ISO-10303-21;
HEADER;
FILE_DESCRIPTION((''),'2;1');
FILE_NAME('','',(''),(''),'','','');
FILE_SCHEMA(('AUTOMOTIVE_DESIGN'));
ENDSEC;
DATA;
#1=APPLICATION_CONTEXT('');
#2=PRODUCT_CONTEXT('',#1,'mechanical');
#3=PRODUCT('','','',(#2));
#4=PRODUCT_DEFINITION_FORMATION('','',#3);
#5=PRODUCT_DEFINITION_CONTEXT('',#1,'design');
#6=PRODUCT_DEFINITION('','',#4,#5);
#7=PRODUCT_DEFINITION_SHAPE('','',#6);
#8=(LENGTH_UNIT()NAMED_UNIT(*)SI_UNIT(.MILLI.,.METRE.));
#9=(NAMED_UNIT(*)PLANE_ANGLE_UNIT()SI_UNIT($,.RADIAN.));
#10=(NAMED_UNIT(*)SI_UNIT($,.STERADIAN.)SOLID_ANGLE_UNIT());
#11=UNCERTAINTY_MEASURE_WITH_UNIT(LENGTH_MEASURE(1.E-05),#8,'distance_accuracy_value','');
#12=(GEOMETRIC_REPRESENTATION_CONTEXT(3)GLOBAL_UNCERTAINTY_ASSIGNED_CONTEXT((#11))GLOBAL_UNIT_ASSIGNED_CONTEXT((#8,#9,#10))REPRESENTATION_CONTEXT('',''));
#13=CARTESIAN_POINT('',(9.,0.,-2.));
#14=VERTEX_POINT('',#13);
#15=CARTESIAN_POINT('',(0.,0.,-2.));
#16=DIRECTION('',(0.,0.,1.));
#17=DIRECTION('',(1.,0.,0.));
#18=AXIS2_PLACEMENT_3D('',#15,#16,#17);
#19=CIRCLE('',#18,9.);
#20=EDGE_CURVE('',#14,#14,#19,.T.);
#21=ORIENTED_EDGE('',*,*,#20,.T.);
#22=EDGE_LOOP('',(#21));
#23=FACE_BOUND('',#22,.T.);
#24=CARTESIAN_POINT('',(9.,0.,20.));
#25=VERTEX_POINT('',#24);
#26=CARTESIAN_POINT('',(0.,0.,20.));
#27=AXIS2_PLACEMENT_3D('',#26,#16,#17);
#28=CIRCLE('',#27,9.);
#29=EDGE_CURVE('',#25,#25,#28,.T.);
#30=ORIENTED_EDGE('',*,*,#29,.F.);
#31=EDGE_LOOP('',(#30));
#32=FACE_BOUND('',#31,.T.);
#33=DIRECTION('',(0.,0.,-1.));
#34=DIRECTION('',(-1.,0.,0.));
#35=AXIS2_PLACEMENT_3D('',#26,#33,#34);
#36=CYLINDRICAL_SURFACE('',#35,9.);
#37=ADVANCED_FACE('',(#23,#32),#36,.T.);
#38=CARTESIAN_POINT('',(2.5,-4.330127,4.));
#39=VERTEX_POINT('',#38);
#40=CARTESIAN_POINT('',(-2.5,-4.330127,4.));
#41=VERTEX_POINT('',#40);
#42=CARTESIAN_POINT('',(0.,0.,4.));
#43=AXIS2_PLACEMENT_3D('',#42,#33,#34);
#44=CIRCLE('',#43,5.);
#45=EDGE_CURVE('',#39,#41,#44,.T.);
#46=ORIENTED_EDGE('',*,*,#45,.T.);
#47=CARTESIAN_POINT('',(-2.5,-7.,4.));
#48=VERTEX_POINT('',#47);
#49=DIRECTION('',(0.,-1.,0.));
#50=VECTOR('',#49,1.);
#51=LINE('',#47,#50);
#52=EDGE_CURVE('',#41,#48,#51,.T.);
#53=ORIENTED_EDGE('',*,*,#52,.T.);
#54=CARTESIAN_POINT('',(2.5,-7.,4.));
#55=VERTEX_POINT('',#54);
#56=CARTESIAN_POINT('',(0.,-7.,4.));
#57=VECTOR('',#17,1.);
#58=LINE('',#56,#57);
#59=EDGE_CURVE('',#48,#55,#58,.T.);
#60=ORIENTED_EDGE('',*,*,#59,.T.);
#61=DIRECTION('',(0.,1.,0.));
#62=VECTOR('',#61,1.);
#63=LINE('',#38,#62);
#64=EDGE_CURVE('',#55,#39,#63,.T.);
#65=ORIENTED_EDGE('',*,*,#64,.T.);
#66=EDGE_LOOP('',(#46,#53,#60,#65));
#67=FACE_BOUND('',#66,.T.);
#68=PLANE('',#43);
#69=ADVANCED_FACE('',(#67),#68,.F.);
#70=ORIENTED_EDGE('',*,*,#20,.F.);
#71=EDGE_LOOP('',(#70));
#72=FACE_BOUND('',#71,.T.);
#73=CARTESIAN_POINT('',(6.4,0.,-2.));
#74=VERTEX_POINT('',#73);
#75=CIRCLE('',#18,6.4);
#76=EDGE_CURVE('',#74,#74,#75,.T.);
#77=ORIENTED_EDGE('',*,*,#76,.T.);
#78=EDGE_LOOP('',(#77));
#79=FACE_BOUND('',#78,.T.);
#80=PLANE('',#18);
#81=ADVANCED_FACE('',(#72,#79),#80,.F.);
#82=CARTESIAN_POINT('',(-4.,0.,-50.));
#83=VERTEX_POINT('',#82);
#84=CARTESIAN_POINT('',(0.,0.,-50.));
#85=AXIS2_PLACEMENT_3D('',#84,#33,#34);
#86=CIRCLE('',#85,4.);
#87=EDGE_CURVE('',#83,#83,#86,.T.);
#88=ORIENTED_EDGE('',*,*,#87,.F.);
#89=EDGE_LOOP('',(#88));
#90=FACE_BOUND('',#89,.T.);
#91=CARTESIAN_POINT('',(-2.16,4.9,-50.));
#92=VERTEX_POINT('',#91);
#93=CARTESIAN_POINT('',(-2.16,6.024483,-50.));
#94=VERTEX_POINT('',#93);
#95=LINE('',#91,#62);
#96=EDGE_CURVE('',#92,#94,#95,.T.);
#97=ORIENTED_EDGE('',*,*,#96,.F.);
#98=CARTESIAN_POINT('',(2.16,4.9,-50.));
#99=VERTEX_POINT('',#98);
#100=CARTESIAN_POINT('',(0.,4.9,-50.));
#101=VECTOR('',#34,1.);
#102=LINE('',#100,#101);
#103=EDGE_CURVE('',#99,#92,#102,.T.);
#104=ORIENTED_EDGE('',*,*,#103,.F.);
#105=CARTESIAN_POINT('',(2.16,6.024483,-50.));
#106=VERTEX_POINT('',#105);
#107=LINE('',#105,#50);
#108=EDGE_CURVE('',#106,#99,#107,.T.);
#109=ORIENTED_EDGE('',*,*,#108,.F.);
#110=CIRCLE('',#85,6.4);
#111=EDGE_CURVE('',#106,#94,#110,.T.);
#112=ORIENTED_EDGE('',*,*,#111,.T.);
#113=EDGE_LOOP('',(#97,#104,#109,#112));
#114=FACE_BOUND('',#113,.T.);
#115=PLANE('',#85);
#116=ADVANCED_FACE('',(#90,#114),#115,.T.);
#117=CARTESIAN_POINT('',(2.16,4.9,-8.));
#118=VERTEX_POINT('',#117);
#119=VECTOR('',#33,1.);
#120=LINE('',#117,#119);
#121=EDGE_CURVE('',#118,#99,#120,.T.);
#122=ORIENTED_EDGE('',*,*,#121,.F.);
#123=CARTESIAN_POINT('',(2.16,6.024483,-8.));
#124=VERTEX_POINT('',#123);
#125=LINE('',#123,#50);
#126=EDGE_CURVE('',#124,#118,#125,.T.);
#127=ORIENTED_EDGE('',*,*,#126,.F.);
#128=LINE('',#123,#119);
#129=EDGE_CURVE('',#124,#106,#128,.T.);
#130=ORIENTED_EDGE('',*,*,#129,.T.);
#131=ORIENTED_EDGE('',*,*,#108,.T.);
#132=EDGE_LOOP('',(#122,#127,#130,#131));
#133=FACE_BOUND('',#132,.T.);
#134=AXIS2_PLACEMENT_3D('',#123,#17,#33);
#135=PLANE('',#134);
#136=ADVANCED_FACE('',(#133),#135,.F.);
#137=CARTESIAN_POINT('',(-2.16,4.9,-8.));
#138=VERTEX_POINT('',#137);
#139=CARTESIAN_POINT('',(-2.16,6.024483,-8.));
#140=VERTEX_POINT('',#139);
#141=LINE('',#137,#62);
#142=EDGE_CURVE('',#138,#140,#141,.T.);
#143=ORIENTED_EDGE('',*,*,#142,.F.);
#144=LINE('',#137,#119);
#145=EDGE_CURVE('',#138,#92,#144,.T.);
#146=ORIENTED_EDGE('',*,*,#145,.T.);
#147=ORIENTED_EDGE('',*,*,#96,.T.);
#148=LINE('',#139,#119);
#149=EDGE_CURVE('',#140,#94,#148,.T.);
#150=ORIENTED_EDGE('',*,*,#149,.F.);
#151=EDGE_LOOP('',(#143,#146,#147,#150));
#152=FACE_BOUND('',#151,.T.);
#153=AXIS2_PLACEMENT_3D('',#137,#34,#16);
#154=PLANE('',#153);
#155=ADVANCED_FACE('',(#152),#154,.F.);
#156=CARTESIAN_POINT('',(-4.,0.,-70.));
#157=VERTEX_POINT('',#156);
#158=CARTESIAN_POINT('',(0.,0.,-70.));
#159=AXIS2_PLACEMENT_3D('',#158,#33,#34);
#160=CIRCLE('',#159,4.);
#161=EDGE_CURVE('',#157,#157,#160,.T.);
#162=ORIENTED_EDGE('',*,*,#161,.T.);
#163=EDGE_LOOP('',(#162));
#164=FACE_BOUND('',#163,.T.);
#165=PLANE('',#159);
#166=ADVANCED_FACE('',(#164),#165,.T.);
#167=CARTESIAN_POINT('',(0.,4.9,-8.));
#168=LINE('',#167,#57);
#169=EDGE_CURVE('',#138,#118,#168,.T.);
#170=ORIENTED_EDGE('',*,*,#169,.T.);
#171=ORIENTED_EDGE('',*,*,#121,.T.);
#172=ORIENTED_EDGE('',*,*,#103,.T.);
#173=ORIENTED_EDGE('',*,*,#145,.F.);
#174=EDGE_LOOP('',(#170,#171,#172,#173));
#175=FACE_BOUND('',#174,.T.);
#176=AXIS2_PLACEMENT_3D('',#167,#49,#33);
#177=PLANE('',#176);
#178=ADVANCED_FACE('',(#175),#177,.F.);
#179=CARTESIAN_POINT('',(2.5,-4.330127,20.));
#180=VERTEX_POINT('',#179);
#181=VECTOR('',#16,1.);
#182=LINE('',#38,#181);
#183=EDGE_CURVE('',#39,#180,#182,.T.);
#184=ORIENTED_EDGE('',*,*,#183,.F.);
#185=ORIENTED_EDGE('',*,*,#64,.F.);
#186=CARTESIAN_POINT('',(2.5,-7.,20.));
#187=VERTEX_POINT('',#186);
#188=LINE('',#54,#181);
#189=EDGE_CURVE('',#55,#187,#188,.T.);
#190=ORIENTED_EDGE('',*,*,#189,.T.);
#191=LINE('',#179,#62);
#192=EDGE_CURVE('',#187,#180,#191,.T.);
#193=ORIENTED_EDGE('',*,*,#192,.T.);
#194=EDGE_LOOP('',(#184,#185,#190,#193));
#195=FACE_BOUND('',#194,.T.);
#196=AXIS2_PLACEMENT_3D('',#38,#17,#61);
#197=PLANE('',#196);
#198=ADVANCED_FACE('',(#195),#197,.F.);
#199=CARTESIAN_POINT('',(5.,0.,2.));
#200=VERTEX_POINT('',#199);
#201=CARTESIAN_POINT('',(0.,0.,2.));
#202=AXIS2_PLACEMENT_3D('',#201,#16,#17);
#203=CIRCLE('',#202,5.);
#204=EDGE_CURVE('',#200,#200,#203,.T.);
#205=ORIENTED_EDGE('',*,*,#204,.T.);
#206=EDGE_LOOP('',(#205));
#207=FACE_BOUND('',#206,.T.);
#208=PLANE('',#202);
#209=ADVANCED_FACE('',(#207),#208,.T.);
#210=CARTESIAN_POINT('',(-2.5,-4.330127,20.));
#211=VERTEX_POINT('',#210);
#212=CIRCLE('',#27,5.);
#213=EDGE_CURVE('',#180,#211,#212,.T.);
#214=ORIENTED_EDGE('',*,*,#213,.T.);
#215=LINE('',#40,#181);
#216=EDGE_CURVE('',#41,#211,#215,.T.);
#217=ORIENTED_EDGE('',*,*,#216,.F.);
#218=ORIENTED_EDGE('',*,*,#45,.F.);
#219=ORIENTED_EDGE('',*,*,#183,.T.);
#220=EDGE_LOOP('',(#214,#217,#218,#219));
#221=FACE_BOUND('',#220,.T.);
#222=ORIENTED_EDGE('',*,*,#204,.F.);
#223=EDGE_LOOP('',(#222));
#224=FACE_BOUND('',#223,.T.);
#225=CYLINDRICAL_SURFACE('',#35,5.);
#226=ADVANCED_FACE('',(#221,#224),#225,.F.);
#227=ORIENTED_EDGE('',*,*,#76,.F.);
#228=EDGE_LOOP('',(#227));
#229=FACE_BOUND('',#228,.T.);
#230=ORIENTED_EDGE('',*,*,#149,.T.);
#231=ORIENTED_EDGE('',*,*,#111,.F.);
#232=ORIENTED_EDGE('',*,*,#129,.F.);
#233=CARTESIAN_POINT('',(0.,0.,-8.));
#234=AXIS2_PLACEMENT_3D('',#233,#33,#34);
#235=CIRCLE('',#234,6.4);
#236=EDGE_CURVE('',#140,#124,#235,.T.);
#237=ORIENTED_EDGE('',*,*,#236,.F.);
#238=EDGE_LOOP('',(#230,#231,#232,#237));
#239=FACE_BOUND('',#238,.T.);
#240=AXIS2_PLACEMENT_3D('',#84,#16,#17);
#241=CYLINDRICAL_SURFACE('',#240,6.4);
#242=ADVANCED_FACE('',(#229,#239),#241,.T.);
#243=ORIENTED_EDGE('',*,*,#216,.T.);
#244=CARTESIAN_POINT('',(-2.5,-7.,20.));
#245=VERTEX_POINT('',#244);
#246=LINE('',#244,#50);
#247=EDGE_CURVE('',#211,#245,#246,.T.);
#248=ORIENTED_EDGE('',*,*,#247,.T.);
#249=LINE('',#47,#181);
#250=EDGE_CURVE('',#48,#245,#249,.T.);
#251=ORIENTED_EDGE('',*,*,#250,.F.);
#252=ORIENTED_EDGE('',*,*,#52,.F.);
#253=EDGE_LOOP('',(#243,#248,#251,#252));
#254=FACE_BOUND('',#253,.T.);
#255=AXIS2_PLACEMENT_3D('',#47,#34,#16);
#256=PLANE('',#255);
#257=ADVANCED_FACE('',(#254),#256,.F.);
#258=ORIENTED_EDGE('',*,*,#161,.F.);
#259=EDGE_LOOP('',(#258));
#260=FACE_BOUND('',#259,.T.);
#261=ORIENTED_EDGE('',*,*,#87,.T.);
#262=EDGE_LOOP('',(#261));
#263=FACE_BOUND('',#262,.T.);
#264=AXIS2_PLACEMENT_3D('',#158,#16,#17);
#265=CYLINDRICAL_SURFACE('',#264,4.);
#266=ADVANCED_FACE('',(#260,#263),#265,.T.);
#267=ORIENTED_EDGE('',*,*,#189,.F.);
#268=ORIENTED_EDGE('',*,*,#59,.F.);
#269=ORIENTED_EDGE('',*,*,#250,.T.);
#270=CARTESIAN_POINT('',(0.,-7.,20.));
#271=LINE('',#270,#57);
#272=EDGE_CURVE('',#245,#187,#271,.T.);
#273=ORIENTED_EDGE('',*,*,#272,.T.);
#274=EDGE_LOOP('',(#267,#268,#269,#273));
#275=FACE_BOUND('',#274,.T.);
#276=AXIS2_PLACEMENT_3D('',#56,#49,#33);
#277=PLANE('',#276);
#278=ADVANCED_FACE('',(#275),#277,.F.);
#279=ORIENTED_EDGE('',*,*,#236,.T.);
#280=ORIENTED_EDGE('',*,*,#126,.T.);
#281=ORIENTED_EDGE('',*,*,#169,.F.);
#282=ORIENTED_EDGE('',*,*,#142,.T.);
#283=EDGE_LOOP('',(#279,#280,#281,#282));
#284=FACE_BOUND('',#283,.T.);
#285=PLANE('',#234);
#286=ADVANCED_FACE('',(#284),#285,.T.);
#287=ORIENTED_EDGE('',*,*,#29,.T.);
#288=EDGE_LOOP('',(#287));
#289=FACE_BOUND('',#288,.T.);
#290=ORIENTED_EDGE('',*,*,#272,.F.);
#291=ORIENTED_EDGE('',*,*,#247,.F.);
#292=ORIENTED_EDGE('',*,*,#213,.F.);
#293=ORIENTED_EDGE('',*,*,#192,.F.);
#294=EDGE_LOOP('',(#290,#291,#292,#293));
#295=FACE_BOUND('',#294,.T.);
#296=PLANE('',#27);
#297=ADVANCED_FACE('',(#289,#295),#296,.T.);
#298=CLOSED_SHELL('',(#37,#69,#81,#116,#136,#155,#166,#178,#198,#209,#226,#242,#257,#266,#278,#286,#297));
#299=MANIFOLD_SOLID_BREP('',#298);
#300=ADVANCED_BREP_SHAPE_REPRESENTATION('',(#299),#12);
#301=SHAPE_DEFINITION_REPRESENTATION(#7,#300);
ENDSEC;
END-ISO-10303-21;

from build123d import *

# Parameters (mm, degrees)
SKETCH1_R           = 9
SKETCH1_R_2         = 5
BOSS_EXTRUDE1_DEPTH = 20
SKETCH3_R           = 6.4
BOSS_EXTRUDE2_DEPTH = 50
CUT_EXTRUDE2_DEPTH  = 16
BOSS_EXTRUDE3_START = -2
SKETCH1_3_R         = 9
BOSS_EXTRUDE3_DEPTH = 2
SKETCH1_4_R         = 5
BOSS_EXTRUDE4_DEPTH = 2
CUT_EXTRUDE3_DEPTH  = 42
SKETCH10_R          = 4
BOSS_EXTRUDE5_DEPTH = 20


with BuildPart() as part:
    # Sketch1 → Boss-Extrude1 (new body)
    with BuildSketch(Plane.XY):
        Circle(SKETCH1_R)
        Circle(SKETCH1_R_2, mode=Mode.SUBTRACT)
    extrude(amount=BOSS_EXTRUDE1_DEPTH)

    # Sketch3 → Boss-Extrude2 (add)
    with BuildSketch(Plane(origin=(0, 0, 0), x_dir=(-1, 0, 0), z_dir=(0, 0, -1))):
        Circle(SKETCH3_R)
    extrude(amount=BOSS_EXTRUDE2_DEPTH)

    # Sketch8 → Cut-Extrude2 (cut)
    with BuildSketch(Plane.XY.offset(20)):
        Polygon((0, -7), (2.5, -7), (2.5, -4.330127019), (-2.5, -4.330127019), (-2.5, -7), align=None)
    extrude(amount=-CUT_EXTRUDE2_DEPTH, mode=Mode.SUBTRACT)

    # Sketch1<3> → Boss-Extrude3 (add)
    with BuildSketch(Plane.XY.offset(BOSS_EXTRUDE3_START)):
        Circle(SKETCH1_3_R)
    extrude(amount=BOSS_EXTRUDE3_DEPTH)

    # Sketch1<4> → Boss-Extrude4 (add)
    with BuildSketch(Plane.XY):
        Circle(SKETCH1_4_R)
    extrude(amount=BOSS_EXTRUDE4_DEPTH)

    # Sketch9 → Cut-Extrude3 (cut)
    with BuildSketch(Plane(origin=(0, 0, -50), x_dir=(-1, 0, 0), z_dir=(0, 0, -1))):
        Polygon((0, 4.9), (2.16, 4.9), (2.16, 6.02448338), (0.743273512, 7.441209868), (-1.718196928, 7.441209868), (-2.16, 6.02448338), (-2.16, 4.9), align=None)
    extrude(amount=-CUT_EXTRUDE3_DEPTH, mode=Mode.SUBTRACT)

    # Sketch10 → Boss-Extrude5 (add)
    with BuildSketch(Plane(origin=(0, 0, -50), x_dir=(-1, 0, 0), z_dir=(0, 0, -1))):
        Circle(SKETCH10_R)
    extrude(amount=BOSS_EXTRUDE5_DEPTH)


solid = part.part
